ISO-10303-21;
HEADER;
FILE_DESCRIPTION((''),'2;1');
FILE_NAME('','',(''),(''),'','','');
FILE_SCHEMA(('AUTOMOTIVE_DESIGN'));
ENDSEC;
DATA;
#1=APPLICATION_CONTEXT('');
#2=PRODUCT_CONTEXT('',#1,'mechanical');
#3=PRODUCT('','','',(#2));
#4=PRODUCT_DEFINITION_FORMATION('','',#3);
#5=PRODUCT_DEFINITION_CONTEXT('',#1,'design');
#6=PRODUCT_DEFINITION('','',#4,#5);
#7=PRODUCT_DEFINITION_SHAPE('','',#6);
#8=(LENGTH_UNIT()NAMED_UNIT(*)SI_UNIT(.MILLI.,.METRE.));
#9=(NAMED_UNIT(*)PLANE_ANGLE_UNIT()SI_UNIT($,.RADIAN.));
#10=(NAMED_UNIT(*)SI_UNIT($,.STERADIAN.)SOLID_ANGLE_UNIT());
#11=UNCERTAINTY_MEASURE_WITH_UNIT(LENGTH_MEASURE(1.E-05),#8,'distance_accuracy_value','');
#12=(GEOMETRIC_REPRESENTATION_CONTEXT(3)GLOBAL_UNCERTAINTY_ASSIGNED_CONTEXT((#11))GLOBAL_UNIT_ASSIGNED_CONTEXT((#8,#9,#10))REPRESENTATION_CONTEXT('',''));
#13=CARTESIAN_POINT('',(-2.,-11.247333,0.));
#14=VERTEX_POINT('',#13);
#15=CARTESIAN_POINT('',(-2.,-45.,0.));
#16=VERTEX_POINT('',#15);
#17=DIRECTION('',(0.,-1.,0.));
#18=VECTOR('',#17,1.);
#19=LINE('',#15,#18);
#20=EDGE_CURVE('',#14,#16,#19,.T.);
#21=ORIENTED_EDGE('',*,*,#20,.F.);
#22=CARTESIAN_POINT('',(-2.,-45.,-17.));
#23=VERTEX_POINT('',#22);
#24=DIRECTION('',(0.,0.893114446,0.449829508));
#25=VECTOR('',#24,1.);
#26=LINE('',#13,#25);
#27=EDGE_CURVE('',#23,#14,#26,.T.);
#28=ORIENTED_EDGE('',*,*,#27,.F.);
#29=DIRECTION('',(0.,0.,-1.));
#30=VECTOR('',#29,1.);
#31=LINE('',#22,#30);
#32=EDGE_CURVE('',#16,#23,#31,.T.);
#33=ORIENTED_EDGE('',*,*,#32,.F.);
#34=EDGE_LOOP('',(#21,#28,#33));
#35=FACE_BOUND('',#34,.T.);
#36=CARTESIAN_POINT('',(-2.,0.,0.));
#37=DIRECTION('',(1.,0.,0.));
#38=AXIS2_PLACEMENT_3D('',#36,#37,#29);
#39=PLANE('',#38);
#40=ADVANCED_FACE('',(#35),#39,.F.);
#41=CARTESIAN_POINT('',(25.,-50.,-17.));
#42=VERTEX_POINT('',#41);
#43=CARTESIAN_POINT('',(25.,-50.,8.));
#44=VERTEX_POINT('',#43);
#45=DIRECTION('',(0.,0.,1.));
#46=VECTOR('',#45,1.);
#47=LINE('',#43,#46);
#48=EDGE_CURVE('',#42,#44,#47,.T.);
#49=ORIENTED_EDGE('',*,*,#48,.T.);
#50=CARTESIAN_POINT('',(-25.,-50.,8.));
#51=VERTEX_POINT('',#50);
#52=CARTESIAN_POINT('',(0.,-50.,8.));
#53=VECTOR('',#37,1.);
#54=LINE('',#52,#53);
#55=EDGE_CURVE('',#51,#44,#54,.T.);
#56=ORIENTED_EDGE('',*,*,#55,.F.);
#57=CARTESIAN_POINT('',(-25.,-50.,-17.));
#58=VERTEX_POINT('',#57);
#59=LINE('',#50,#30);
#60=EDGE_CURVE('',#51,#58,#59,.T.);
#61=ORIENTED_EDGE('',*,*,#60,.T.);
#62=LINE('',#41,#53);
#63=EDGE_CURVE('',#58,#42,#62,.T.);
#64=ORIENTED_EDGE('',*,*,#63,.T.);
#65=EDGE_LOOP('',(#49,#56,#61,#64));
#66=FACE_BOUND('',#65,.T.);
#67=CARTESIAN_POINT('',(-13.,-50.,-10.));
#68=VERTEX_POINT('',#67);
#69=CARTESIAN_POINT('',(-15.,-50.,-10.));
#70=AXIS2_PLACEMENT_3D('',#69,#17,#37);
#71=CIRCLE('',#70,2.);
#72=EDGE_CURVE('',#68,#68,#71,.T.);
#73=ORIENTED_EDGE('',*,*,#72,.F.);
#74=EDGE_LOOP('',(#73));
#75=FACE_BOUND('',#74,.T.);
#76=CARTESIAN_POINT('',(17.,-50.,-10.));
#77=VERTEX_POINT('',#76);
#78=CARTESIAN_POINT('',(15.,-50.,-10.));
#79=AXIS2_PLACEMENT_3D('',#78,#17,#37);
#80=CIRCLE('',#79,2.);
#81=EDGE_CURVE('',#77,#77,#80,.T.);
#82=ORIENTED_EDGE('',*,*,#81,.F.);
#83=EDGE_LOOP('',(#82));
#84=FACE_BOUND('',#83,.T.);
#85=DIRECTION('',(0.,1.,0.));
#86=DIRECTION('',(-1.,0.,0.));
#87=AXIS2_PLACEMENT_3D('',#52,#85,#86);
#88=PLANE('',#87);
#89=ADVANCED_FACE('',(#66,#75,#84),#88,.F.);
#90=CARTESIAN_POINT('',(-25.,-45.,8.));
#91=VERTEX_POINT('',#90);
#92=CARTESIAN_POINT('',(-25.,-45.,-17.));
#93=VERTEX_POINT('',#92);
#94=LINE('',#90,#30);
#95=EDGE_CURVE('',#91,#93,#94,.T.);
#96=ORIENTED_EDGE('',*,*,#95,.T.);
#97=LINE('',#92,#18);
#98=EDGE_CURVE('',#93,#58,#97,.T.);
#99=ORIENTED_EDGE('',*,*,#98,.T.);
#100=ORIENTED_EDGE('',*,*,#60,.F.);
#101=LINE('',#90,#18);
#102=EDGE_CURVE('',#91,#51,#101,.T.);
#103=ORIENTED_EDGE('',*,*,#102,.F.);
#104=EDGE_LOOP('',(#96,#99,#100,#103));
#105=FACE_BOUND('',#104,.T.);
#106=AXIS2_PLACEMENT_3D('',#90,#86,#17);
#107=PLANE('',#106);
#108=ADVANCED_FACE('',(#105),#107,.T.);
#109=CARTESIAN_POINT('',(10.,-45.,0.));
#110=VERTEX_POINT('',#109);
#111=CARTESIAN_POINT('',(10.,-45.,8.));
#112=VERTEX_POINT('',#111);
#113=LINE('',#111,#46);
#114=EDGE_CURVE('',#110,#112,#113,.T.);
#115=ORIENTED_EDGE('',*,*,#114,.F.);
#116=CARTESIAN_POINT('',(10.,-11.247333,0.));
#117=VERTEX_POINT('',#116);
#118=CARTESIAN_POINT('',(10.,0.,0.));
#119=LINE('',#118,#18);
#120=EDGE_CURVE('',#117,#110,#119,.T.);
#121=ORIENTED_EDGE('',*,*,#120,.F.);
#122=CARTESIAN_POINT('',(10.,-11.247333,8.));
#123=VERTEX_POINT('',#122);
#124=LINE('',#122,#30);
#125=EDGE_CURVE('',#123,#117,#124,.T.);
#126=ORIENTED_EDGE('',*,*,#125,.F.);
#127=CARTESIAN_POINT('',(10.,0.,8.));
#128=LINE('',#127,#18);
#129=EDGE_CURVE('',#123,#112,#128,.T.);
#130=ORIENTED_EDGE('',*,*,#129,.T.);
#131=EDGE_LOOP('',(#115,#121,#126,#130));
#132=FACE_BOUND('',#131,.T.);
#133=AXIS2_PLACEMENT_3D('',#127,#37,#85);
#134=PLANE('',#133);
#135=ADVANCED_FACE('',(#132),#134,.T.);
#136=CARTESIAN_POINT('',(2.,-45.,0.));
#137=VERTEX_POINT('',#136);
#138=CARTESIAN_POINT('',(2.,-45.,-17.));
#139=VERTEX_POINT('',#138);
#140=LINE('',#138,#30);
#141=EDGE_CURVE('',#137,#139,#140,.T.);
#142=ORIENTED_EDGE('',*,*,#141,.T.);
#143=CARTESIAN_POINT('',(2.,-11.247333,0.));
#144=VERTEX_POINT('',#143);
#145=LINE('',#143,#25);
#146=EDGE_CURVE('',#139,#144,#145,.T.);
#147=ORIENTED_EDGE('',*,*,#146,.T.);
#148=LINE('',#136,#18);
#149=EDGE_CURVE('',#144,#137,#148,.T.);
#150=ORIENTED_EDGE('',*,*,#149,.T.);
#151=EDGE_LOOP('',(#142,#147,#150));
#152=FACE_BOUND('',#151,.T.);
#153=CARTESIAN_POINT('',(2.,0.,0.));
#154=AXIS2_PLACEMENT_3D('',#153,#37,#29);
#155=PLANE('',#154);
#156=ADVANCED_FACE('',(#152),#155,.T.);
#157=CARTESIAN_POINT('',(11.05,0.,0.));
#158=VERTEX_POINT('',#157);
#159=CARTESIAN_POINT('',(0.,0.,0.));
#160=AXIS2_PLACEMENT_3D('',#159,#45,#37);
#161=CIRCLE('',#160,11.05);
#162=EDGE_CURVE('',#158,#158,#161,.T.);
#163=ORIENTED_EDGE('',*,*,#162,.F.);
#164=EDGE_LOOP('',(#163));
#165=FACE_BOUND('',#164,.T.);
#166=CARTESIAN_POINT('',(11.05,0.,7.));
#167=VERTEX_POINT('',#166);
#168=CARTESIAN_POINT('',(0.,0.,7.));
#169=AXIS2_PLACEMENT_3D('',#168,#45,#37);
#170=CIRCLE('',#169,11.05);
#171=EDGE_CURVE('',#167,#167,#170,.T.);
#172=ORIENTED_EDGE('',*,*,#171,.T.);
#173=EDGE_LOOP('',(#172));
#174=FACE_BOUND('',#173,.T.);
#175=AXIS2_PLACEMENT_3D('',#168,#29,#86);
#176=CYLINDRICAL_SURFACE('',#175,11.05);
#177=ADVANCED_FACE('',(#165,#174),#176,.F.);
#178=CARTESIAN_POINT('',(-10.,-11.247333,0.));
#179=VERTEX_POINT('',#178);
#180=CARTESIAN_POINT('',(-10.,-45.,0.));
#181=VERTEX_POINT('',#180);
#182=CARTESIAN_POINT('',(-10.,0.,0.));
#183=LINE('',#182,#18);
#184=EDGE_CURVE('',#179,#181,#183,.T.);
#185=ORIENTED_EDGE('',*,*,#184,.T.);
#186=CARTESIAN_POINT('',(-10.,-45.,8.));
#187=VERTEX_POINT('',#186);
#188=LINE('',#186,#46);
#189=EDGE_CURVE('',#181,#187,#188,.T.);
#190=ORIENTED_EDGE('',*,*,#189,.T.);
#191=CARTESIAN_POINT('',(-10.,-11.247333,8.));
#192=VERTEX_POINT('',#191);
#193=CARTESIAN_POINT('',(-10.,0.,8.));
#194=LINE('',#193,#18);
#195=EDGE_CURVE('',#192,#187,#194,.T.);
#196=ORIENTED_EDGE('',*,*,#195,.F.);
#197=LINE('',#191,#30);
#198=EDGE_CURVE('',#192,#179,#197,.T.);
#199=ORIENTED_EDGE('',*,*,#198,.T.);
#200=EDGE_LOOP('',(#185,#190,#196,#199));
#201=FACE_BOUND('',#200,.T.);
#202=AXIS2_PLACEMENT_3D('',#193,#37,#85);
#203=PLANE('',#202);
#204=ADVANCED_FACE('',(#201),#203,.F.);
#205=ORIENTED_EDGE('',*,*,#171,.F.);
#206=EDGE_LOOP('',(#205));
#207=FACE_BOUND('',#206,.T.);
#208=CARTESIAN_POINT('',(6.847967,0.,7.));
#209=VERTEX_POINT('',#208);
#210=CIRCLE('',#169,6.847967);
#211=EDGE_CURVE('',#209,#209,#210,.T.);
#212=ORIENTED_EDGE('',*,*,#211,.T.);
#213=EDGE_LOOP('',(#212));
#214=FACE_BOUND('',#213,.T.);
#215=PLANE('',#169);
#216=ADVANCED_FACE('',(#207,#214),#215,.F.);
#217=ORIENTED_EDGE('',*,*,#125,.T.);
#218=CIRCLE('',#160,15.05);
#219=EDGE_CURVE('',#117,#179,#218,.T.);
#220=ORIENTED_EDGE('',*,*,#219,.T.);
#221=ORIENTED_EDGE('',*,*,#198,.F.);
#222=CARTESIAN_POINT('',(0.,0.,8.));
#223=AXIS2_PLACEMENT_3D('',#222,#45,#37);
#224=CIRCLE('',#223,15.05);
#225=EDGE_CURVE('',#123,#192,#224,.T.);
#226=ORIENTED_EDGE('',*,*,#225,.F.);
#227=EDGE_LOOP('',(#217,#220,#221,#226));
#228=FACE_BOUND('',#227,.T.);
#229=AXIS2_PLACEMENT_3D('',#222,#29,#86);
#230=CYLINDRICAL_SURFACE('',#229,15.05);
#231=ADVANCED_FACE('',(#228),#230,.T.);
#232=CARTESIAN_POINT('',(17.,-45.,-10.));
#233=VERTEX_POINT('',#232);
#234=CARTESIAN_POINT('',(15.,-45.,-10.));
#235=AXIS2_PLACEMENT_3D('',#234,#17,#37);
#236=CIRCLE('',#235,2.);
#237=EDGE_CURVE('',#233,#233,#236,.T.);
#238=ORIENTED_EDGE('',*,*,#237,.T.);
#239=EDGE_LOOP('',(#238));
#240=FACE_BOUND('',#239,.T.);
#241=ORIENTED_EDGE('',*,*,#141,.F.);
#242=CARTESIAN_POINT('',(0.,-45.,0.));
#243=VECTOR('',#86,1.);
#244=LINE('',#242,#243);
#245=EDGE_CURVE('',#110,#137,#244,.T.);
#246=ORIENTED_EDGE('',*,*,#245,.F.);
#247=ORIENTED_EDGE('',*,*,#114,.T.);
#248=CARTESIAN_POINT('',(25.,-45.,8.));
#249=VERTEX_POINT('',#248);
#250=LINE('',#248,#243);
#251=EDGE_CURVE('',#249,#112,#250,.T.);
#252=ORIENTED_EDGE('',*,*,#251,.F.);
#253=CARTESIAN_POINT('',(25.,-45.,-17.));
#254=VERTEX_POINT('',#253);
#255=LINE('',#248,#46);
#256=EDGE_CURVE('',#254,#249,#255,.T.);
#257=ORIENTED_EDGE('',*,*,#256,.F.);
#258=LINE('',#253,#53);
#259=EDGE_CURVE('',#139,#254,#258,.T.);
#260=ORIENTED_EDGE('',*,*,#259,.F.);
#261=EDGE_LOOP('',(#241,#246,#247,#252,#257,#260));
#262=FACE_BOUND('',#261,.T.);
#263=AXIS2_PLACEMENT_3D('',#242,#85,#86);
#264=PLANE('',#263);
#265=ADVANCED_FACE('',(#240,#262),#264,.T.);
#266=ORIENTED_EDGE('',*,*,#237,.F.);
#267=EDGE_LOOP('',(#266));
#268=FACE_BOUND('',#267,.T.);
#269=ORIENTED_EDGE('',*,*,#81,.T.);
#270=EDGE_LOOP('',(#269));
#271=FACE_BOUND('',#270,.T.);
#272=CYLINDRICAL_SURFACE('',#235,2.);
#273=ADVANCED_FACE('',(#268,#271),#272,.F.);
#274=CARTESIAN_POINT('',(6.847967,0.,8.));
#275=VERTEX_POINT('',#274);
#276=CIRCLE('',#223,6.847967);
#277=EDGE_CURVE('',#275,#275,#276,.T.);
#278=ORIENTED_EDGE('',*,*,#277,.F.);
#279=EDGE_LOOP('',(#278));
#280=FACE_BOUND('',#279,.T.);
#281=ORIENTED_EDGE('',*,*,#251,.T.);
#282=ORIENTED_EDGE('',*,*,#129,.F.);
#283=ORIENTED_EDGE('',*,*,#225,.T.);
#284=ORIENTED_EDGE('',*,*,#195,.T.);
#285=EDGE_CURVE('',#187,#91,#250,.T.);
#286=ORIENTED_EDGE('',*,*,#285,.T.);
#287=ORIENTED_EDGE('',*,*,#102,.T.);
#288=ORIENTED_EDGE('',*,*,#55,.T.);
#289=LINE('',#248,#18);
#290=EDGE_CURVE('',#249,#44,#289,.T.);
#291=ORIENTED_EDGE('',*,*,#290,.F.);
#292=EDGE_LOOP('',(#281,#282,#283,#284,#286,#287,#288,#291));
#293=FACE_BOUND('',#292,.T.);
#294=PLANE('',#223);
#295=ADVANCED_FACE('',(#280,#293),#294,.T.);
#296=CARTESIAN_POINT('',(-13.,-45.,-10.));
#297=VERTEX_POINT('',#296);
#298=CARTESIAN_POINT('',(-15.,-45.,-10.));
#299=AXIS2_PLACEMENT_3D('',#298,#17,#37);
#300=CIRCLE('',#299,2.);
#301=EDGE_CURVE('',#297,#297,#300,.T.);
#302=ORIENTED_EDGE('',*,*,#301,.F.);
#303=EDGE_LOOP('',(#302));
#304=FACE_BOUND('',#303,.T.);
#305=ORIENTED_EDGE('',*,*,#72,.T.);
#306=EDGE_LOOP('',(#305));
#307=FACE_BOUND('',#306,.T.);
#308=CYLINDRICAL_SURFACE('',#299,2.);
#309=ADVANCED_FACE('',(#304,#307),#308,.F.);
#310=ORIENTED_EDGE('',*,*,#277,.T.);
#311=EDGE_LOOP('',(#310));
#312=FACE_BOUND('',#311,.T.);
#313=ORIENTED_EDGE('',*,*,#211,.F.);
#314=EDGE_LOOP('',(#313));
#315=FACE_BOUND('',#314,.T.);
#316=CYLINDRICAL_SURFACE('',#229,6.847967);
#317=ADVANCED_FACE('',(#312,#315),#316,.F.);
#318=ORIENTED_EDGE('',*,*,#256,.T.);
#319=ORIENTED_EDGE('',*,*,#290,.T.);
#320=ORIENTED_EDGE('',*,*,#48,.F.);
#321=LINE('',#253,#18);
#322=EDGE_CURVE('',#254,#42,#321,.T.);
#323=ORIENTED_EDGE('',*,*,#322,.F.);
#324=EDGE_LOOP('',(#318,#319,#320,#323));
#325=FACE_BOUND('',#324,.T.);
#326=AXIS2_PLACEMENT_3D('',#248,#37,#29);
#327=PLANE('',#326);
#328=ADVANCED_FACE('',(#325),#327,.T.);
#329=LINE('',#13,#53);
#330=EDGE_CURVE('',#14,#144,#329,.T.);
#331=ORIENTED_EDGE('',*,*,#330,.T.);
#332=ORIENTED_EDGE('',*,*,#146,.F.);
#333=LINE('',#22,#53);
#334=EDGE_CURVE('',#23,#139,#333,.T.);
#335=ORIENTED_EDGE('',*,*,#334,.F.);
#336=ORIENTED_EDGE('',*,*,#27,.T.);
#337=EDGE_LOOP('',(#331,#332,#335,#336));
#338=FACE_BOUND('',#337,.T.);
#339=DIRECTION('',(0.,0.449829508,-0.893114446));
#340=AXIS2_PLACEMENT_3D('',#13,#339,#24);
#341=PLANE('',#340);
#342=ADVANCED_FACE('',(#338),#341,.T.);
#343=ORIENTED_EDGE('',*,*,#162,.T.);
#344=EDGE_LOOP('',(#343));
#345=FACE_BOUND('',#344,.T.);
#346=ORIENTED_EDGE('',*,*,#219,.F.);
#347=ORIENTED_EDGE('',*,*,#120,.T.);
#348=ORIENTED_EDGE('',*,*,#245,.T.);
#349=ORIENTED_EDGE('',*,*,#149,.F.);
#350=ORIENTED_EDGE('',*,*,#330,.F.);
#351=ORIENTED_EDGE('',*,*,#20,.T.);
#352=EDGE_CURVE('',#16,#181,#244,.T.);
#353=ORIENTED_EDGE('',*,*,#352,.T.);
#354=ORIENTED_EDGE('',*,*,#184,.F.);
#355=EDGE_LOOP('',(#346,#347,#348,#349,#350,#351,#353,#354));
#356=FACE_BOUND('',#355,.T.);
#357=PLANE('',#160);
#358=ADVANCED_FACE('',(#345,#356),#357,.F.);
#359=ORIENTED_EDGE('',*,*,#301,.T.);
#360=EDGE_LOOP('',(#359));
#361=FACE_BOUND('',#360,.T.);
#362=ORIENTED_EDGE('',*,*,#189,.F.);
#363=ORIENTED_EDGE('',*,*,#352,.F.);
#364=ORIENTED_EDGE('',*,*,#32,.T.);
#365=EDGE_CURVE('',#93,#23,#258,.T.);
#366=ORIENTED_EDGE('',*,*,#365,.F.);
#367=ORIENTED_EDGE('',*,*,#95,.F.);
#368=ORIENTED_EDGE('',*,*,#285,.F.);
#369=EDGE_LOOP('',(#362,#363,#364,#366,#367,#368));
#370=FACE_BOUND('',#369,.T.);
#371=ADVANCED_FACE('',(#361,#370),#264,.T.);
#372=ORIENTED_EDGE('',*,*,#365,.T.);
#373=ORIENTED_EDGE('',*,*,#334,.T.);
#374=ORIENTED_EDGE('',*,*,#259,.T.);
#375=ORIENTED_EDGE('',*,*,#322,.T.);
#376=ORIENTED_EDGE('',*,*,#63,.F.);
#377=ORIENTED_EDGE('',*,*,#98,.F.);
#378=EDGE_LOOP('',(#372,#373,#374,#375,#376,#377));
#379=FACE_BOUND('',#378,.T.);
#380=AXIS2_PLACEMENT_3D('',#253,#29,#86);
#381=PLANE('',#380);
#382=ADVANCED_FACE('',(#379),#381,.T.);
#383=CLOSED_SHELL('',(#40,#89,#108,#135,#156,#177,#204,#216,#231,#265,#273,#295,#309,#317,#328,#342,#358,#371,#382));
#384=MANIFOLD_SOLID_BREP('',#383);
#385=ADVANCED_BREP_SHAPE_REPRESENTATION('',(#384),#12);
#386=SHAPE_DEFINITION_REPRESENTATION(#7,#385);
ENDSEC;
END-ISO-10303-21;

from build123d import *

# Parameters (mm, degrees)
SKETCH1_R                = 6.847967297
BOSS_EXTRUDE1_DEPTH      = 8
SKETCH1_3_R              = 11.05
SKETCH1_3_R_2            = 6.847967297
CUT_EXTRUDE1_DEPTH       = 7
SKETCH2_W                = 50
SKETCH2_H                = 25
SKETCH2_R                = 2
BOSS_EXTRUDE2_DEPTH      = 5
BOSS_EXTRUDE3_DEPTH      = 2
BOSS_EXTRUDE3_DEPTH_BACK = 2


with BuildPart() as part:
    # Sketch1 → Boss-Extrude1 (new body)
    with BuildSketch(Plane.XY):
        with BuildLine():
            ThreePointArc((10, -11.247333017), (0, 15.05), (-10, -11.247333017))
            Line((-10, -11.247333017), (-10, -50))
            Line((-10, -50), (10, -50))
            Line((10, -50), (10, -11.247333017))
        make_face()
        Circle(SKETCH1_R, mode=Mode.SUBTRACT)
    extrude(amount=BOSS_EXTRUDE1_DEPTH)

    # Sketch1<3> → Cut-Extrude1 (cut)
    with BuildSketch(Plane.XY):
        Circle(SKETCH1_3_R)
        Circle(SKETCH1_3_R_2, mode=Mode.SUBTRACT)
    extrude(amount=CUT_EXTRUDE1_DEPTH, mode=Mode.SUBTRACT)

    # Sketch2 → Boss-Extrude2 (add)
    with BuildSketch(Plane.XZ.offset(50)):
        with Locations((0, -4.5)):
            Rectangle(SKETCH2_W, SKETCH2_H)
        with Locations((-15, -10)):
            Circle(SKETCH2_R, mode=Mode.SUBTRACT)
        with Locations((15, -10)):
            Circle(SKETCH2_R, mode=Mode.SUBTRACT)
    extrude(amount=-BOSS_EXTRUDE2_DEPTH)

    # Sketch5 → Boss-Extrude3 (add, two sides: drawn at the far end of the back side and taken through both)
    with BuildSketch(Plane(origin=(0, 0, 0), x_dir=(0, 0, -1), z_dir=(1, 0, 0)).offset(-BOSS_EXTRUDE3_DEPTH_BACK)):
        Polygon((0, -11.247333017), (17, -45), (0, -45), align=None)
    extrude(amount=BOSS_EXTRUDE3_DEPTH + BOSS_EXTRUDE3_DEPTH_BACK)


solid = part.part
